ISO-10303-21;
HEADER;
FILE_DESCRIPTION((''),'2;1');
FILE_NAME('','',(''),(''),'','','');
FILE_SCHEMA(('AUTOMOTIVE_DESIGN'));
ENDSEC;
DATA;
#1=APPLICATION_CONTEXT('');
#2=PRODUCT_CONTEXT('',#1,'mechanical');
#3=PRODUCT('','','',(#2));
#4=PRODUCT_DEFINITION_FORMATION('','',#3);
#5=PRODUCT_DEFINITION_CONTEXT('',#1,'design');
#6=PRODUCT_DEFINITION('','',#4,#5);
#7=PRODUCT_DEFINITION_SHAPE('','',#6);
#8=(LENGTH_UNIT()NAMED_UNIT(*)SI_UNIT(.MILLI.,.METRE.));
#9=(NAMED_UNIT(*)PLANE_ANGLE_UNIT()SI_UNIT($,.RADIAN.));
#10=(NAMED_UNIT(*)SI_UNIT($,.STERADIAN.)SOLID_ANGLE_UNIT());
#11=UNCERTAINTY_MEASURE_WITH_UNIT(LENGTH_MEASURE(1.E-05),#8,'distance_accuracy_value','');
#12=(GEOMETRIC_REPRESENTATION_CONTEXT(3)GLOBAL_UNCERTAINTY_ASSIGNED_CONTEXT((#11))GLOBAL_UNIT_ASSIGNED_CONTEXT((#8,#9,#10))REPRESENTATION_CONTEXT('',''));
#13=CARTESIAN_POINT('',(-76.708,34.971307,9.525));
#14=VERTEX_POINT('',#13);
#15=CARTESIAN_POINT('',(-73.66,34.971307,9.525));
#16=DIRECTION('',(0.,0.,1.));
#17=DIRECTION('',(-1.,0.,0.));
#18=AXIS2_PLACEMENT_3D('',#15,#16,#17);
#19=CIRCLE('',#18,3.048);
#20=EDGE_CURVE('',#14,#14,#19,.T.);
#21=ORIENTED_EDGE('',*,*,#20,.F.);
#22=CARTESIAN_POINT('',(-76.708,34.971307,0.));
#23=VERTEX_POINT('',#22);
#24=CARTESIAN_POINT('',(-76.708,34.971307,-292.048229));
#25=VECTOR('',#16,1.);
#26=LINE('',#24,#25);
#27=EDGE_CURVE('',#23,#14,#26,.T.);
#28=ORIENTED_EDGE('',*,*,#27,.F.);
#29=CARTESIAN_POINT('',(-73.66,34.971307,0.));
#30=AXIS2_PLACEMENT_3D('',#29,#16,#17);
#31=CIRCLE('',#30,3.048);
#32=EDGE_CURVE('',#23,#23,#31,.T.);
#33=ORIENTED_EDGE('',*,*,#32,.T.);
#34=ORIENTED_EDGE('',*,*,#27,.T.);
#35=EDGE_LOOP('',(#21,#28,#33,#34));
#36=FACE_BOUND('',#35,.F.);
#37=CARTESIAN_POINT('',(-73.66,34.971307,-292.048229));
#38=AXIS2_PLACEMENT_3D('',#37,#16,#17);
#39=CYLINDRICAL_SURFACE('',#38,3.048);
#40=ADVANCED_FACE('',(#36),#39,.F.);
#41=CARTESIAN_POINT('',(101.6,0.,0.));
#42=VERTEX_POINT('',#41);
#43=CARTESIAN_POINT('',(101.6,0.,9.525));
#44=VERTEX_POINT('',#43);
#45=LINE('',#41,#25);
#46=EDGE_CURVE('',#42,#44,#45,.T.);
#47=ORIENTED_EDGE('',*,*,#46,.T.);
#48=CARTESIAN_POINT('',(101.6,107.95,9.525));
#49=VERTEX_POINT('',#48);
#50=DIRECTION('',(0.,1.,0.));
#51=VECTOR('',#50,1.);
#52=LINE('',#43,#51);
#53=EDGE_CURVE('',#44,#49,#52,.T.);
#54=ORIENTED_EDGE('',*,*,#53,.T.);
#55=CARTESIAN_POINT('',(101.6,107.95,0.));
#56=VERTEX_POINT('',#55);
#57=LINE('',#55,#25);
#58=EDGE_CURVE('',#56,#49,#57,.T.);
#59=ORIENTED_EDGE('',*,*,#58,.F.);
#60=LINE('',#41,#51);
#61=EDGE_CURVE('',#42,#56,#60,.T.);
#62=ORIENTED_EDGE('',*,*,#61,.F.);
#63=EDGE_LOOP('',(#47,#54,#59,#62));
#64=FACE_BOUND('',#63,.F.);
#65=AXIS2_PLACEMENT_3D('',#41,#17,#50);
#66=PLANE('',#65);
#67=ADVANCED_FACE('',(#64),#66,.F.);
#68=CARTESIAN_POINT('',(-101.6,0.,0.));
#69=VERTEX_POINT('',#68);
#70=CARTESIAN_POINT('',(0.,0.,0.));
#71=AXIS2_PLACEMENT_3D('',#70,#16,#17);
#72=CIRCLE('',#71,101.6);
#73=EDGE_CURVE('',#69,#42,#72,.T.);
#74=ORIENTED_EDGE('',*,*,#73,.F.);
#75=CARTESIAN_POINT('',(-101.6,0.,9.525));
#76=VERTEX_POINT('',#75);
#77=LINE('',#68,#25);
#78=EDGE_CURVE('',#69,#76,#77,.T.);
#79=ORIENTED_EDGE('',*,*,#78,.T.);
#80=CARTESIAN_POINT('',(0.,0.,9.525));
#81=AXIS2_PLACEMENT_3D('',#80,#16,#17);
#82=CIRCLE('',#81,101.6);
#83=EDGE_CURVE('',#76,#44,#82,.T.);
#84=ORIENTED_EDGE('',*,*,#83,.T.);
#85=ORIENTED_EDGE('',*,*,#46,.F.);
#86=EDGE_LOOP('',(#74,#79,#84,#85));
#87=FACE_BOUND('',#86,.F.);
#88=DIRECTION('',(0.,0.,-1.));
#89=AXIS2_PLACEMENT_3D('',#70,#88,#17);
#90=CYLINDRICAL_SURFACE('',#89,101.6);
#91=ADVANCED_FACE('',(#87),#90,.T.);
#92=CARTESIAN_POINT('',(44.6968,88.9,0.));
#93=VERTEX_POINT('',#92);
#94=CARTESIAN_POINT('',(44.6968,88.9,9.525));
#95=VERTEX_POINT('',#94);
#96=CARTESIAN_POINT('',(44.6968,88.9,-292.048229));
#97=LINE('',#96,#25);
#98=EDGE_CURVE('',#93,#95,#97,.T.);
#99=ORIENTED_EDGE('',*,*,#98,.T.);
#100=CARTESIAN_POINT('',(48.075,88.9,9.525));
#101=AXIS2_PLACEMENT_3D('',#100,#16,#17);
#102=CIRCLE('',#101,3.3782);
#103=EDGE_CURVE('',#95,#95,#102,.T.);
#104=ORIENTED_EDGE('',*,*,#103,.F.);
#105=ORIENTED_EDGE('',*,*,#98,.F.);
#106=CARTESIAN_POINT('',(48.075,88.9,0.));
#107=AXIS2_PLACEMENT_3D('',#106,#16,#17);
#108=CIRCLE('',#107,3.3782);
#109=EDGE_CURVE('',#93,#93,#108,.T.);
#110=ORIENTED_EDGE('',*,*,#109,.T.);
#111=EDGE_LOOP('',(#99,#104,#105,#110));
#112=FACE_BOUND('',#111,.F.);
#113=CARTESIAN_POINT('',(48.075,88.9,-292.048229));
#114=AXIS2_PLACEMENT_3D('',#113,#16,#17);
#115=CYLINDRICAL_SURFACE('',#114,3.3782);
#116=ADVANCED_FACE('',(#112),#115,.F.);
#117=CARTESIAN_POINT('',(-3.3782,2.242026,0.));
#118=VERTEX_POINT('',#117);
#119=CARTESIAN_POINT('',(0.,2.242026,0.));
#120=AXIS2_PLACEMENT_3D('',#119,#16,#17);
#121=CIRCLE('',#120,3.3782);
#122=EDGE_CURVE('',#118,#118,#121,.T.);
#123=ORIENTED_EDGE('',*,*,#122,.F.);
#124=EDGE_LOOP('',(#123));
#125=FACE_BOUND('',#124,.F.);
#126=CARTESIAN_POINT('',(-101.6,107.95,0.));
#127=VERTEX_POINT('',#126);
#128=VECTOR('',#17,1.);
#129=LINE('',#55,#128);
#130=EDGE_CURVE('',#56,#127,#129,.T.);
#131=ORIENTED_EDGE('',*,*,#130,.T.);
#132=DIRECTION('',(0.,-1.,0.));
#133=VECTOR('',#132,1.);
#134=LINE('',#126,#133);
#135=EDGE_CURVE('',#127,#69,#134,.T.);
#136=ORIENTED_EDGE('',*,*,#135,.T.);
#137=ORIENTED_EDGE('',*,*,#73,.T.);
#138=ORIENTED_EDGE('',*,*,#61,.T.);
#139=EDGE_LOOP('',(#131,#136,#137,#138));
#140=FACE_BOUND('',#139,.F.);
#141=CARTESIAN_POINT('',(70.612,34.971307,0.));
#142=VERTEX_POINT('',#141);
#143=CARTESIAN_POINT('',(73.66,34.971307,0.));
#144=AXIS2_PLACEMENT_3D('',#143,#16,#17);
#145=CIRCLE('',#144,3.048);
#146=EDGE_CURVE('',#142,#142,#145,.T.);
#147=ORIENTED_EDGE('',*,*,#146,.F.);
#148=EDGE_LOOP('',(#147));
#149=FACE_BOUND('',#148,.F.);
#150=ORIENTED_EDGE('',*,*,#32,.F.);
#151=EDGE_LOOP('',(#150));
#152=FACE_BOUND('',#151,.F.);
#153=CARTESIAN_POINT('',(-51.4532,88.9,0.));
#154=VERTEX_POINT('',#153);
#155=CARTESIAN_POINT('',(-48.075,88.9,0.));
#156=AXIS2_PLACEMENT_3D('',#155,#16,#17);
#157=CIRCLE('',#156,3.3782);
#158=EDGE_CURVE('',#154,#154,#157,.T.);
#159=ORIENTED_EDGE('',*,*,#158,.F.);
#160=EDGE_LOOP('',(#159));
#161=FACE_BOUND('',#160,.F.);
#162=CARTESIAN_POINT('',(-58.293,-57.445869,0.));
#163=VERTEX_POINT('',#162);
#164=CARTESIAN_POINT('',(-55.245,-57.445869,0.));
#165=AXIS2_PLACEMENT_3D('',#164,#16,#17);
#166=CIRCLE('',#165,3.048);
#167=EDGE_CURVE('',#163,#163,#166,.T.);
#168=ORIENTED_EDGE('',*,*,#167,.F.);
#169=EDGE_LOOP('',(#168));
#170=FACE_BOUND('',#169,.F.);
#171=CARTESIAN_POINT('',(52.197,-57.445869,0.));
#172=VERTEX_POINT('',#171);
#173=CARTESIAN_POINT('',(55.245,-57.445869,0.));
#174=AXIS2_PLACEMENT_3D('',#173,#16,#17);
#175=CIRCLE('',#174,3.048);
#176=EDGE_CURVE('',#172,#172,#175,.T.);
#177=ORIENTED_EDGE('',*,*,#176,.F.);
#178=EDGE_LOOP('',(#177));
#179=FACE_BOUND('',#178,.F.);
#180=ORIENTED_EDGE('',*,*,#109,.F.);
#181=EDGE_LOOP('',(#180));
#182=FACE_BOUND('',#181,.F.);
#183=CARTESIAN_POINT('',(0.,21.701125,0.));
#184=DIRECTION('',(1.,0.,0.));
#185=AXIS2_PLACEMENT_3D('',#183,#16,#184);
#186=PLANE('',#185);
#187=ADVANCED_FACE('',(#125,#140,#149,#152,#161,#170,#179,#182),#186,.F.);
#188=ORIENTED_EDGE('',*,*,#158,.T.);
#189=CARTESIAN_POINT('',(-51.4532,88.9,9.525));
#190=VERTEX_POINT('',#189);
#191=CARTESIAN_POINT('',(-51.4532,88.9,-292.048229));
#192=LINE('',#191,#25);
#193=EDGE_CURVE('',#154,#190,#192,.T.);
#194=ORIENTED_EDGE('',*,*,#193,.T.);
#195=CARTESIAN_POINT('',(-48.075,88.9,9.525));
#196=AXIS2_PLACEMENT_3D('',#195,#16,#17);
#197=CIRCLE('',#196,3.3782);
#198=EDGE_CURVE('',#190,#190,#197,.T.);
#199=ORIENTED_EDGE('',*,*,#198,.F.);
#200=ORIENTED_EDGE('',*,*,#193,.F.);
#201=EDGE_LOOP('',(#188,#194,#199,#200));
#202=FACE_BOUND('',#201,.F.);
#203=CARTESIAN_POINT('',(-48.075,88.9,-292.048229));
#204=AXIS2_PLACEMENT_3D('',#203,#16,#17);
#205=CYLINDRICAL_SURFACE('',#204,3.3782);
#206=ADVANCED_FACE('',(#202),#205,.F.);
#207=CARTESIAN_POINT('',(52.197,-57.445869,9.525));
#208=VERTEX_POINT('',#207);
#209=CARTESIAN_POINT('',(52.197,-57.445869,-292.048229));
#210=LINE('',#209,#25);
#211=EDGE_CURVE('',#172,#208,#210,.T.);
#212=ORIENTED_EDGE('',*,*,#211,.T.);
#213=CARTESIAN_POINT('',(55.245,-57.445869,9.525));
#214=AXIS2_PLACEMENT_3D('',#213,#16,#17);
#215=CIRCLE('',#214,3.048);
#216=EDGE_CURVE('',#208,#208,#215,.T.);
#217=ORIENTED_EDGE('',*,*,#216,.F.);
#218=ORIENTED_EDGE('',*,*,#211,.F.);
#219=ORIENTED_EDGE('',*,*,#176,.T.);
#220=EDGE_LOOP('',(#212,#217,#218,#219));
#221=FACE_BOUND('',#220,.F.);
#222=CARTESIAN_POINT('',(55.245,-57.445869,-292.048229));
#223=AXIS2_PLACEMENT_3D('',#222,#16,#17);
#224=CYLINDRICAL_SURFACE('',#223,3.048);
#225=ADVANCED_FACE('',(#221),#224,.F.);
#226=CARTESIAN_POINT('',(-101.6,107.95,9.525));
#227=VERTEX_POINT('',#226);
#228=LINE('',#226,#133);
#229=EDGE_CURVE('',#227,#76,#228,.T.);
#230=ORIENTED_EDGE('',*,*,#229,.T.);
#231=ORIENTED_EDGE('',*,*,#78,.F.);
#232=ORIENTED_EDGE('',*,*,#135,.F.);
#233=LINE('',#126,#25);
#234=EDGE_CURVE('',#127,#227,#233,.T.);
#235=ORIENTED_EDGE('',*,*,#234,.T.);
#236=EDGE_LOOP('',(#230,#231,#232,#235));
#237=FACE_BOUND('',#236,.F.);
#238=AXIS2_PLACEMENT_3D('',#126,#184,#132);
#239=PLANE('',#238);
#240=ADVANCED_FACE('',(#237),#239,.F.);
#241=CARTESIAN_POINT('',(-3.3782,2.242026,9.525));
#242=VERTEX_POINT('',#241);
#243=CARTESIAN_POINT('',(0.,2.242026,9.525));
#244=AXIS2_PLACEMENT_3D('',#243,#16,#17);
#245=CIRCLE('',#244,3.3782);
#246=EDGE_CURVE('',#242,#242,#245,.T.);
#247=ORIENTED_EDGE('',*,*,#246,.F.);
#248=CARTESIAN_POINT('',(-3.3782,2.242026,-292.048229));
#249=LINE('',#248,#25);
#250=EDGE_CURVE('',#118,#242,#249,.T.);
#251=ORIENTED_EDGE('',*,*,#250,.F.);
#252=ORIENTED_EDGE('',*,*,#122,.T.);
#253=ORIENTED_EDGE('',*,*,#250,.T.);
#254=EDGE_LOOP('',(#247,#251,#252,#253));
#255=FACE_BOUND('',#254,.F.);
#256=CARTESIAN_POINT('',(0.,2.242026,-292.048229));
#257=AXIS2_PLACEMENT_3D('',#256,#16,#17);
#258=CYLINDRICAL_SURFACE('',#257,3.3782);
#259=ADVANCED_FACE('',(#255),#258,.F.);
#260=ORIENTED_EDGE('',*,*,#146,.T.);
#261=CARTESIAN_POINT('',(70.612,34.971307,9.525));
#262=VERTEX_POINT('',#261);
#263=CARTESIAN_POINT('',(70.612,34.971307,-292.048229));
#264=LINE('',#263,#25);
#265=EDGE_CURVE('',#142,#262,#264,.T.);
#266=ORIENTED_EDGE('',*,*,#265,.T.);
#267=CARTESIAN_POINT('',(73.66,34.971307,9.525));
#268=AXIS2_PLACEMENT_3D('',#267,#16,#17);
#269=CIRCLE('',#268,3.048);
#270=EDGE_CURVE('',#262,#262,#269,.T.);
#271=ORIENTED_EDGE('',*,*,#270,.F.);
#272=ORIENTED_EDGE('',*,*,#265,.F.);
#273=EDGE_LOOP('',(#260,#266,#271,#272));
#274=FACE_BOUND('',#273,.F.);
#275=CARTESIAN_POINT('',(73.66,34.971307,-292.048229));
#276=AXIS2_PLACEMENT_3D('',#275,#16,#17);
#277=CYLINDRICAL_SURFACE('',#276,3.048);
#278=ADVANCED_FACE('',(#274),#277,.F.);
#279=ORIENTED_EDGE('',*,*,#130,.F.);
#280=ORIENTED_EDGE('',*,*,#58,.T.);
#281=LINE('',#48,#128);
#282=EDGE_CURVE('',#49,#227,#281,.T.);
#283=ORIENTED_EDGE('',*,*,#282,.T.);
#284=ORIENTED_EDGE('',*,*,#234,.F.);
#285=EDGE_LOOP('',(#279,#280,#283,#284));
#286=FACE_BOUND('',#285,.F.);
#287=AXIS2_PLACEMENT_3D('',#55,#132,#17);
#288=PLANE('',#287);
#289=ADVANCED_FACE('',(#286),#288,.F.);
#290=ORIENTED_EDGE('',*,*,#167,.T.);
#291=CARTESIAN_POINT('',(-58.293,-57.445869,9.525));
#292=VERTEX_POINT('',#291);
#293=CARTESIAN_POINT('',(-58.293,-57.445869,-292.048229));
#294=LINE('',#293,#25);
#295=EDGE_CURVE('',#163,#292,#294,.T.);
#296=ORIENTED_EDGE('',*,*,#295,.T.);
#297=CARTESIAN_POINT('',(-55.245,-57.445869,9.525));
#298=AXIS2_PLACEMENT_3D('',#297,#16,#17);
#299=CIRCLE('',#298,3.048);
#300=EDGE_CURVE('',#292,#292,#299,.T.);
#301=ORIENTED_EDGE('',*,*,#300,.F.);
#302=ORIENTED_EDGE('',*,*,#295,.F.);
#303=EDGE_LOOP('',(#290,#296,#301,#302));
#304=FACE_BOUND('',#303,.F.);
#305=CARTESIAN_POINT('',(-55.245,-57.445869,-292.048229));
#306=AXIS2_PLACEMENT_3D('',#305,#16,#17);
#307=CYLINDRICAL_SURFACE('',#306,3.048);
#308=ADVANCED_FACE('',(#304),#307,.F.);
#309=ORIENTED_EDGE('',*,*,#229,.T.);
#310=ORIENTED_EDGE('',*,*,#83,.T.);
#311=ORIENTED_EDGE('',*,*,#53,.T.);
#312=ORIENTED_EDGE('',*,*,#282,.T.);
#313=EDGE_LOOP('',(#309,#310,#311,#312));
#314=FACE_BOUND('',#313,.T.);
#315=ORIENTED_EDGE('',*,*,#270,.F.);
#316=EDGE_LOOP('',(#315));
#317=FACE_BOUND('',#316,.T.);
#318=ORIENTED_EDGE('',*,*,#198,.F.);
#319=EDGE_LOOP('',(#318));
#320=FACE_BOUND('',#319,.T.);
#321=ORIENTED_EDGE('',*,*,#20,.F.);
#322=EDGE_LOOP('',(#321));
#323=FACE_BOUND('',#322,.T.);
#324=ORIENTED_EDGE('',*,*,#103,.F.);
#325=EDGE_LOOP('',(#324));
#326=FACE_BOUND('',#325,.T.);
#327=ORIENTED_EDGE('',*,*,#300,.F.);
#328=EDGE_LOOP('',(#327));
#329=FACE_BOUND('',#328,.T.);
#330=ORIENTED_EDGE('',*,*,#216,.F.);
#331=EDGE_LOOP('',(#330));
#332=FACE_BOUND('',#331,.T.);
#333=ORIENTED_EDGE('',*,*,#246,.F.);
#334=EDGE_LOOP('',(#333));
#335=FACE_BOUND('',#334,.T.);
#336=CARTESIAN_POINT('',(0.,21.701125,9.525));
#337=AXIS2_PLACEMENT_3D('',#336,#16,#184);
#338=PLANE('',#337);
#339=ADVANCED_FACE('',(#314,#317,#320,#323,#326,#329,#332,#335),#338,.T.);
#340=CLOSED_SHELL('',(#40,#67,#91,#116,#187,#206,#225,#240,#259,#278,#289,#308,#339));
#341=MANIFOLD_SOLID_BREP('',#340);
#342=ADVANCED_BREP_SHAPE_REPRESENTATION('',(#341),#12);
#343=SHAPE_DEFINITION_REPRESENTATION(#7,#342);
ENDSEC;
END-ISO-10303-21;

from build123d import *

# Parameters (mm, degrees)
F1_DEPTH = 9.525
F2_D     = 6.096
F3_D     = 6.7564


with BuildPart() as f1:
    # F0 (on Top) → F1 (new body)
    with BuildSketch(Plane.XY):
        with BuildLine():
            Line((-101.6, 107.95), (-101.6, 0))
            ThreePointArc((-101.6, 0), (0, -101.6), (101.6, 0))
            Line((101.6, 0), (101.6, 107.95))
            Line((101.6, 107.95), (-101.6, 107.95))
        make_face()
    extrude(amount=F1_DEPTH)

    # F2 (through all)
    with Locations(Plane(origin=(0, 0, 0), x_dir=(1, 0, 0), z_dir=(0, 0, -1))):
        with Locations((-73.66, -34.9713074978), (73.66, -34.9713074978), (-55.245, 57.4458691038), (55.245, 57.4458691038)):
            Hole(F2_D / 2)

    # F3 (through all)
    with Locations(Plane(origin=(0, 0, 0), x_dir=(1, 0, 0), z_dir=(0, 0, -1))):
        with Locations((-48.075, -88.9), (0, -2.2420264777), (48.075, -88.9)):
            Hole(F3_D / 2)


solid = f1.part
